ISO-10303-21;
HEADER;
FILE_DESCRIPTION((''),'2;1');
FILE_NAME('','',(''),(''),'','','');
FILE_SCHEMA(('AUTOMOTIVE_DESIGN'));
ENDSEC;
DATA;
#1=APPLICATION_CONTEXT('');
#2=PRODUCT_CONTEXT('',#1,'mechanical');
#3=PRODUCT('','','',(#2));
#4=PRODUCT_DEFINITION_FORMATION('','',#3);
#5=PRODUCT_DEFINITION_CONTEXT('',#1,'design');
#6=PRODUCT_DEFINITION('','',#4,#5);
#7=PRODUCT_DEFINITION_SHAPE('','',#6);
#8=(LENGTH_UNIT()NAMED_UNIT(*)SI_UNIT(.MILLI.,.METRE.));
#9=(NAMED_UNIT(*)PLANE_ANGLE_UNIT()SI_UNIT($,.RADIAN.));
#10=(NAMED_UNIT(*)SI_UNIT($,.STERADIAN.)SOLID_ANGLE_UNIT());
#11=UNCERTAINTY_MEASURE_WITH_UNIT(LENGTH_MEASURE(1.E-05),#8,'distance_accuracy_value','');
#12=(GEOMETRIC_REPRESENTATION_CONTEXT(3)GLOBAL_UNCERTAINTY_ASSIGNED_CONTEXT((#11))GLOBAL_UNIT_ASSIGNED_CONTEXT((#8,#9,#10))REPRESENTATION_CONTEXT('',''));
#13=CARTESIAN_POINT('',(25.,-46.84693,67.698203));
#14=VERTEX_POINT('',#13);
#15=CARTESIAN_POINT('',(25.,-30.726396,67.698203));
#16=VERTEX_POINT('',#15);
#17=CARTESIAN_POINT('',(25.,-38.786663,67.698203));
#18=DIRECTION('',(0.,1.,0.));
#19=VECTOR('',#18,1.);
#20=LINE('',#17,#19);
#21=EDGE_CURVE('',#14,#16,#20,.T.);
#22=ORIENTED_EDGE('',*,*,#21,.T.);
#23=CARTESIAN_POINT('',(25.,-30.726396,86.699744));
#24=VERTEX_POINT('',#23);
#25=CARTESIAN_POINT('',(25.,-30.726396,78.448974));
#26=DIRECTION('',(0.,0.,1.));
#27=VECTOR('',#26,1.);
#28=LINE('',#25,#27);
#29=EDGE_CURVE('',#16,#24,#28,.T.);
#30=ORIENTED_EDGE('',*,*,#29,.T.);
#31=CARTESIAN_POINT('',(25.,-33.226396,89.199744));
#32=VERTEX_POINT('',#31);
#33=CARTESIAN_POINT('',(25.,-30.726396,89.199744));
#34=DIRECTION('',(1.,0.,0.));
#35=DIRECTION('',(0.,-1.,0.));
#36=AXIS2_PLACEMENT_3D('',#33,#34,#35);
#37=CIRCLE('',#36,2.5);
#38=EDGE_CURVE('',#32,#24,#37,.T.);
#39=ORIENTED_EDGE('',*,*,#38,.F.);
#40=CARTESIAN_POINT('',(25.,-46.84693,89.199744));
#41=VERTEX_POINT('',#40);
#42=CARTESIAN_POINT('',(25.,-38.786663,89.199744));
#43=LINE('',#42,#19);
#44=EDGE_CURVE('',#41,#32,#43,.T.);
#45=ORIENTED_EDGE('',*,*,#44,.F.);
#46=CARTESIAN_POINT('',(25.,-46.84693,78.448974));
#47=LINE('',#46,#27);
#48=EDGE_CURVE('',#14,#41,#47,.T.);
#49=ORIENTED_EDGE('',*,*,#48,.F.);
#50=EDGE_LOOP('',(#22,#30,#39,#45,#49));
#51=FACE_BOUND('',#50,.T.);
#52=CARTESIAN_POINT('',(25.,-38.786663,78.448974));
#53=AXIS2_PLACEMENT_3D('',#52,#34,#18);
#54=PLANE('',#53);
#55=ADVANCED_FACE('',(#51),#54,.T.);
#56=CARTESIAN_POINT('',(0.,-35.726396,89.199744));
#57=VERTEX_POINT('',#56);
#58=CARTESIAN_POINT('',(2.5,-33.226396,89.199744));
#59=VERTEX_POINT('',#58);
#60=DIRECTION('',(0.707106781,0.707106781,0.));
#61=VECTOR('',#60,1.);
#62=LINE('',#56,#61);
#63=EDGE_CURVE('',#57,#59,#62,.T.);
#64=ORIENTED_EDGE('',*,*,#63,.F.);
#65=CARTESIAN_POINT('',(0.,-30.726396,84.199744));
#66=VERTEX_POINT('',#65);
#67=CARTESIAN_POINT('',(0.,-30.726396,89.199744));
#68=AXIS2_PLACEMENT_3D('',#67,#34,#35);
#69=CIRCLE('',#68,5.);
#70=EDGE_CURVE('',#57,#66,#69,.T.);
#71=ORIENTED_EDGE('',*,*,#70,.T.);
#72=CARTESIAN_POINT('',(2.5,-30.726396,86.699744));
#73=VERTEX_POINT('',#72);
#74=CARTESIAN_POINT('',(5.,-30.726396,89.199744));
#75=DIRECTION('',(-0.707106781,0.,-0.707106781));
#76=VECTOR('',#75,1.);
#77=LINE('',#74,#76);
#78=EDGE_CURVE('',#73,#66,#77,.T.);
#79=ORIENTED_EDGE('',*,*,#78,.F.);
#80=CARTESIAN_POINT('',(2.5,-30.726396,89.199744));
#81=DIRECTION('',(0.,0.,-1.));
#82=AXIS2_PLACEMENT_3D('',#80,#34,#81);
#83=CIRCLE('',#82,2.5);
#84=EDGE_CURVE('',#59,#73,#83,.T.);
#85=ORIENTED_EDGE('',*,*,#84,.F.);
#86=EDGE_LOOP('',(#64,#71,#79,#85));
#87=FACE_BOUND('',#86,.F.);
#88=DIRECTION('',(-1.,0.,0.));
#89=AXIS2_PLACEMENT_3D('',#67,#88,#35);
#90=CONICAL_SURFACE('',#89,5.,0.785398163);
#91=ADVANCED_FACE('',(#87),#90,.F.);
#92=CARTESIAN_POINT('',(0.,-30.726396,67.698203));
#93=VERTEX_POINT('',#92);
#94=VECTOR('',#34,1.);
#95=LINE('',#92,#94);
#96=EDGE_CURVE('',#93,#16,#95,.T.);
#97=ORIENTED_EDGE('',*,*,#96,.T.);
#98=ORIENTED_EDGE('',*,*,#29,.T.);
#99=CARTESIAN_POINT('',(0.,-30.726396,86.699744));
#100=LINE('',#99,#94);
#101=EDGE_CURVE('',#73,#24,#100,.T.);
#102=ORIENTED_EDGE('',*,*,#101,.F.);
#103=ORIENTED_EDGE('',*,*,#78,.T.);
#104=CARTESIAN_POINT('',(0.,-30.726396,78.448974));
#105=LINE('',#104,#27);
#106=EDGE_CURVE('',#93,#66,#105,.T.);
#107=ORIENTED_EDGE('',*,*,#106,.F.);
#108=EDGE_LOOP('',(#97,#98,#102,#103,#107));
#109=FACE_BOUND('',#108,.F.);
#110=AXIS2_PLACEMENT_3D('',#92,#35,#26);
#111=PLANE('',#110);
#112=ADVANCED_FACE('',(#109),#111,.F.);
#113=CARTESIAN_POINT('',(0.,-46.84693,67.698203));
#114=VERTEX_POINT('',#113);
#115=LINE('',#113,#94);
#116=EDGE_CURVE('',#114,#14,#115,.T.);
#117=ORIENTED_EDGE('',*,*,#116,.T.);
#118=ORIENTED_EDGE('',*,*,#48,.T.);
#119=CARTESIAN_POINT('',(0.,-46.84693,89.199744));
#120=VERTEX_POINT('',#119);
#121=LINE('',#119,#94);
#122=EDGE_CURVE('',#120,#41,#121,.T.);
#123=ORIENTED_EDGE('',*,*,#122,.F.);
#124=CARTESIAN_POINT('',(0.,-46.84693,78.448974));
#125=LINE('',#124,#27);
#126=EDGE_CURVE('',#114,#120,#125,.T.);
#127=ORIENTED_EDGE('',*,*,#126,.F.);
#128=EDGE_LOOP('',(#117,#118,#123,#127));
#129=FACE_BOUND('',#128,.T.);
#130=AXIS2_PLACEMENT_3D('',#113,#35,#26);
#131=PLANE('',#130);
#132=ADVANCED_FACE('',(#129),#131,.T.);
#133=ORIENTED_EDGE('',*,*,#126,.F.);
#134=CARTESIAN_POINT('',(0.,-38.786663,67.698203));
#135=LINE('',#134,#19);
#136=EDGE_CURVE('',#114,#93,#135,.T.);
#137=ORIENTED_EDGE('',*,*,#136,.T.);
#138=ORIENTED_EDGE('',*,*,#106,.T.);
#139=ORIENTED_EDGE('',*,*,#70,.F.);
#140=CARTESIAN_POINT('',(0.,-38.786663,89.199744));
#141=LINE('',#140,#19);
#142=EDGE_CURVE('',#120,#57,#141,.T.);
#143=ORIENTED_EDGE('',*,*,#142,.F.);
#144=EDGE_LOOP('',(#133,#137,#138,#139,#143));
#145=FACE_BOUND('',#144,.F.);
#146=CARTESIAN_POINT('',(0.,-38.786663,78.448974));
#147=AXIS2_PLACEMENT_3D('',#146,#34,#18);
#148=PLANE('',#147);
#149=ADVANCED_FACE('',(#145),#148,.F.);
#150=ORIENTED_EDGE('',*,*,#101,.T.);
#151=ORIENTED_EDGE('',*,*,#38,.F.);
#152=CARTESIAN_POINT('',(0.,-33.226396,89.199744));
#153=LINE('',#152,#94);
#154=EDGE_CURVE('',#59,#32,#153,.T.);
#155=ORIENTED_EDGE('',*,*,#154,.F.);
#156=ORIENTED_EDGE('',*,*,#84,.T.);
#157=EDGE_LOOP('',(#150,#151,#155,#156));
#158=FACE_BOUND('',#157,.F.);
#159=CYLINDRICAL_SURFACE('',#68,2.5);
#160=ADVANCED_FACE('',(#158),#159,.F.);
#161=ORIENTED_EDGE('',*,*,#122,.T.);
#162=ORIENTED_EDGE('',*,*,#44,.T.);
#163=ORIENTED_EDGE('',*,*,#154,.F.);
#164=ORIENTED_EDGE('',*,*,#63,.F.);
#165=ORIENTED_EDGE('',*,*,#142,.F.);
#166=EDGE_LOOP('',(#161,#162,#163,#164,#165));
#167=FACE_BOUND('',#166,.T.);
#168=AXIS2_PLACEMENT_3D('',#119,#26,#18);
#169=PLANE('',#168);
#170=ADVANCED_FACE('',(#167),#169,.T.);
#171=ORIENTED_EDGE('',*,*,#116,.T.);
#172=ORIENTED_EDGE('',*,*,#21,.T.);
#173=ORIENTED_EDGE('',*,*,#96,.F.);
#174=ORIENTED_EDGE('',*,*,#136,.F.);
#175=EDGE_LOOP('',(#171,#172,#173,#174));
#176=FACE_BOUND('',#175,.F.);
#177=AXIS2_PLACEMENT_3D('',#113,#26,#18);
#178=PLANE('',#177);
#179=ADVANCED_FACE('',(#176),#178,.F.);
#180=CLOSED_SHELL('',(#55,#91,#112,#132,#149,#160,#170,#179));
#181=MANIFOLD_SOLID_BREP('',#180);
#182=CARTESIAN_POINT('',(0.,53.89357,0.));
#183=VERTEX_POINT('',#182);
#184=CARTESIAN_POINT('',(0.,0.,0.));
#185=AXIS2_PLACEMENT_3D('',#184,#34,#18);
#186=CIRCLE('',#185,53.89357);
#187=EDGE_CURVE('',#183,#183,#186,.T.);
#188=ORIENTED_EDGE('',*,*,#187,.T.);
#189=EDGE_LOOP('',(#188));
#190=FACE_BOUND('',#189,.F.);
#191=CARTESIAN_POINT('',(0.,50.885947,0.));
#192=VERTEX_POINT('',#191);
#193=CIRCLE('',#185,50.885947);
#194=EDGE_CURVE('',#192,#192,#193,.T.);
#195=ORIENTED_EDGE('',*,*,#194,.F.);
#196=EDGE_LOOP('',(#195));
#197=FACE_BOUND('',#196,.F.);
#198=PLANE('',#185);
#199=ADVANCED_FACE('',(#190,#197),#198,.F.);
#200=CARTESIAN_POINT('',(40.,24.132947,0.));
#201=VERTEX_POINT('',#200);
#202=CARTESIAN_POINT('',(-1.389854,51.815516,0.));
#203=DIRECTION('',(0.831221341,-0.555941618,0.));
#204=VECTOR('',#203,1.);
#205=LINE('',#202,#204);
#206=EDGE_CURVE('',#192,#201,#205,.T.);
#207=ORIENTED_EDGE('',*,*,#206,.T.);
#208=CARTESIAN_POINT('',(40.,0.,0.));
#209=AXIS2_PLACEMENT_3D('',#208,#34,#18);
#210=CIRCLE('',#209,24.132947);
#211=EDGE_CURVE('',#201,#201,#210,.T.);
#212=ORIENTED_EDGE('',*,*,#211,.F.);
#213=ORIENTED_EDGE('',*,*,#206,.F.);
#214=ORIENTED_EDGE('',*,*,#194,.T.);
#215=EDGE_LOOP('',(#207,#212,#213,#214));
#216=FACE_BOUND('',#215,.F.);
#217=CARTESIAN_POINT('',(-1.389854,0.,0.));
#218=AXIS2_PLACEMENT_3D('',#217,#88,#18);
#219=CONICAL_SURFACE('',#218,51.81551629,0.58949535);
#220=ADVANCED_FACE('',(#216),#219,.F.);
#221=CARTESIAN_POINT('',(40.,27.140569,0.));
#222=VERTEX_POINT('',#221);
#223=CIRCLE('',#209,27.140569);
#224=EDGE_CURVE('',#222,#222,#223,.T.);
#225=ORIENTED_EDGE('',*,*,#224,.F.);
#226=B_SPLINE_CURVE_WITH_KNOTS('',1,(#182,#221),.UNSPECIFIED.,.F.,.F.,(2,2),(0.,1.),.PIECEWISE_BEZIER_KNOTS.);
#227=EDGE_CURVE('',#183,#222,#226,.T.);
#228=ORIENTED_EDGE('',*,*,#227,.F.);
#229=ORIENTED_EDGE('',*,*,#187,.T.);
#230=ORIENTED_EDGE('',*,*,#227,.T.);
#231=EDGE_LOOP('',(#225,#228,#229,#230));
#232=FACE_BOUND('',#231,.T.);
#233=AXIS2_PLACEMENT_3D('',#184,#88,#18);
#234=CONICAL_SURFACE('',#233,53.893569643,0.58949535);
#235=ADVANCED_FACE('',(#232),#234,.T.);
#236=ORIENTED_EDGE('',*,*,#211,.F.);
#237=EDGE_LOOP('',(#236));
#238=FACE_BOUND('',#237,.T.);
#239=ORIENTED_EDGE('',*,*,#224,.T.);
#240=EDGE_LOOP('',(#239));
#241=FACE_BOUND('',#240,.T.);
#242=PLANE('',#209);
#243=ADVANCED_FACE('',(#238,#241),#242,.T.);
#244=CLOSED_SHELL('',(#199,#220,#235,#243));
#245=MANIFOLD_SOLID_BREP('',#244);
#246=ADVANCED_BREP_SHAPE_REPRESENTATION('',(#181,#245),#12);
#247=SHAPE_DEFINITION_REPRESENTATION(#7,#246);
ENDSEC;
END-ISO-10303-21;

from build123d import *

# Parameters (mm, degrees)
F0_R           = 53.8935696429
F2_R           = 27.1405694362
F4_T           = -2.5
F5_W           = 16.1205343902
F5_H           = 21.5015411377
F6_DEPTH       = 25
F7_D           = 5
F7_CSINK_D     = 10
F7_CSINK_ANGLE = 90


with BuildPart() as f3:
    # F0 (on Right) → F3 section 0
    with BuildSketch(Plane.YZ):
        Circle(F0_R)
    # F2 (on offset) → F3 section 1
    with BuildSketch(Plane.YZ.offset(40)):
        Circle(F2_R)
    loft()

    # F4
    f4_openings = [f3.faces().sort_by_distance(p)[0] for p in [
        (40, 0, 0),
        (0, 0, 0),
    ]]
    offset(amount=F4_T, openings=f4_openings, kind=Kind.INTERSECTION)


with BuildPart() as f6:
    # F5 (on Right) → F6 (new body)
    with BuildSketch(Plane.YZ):
        with Locations((-38.7866627425, 78.4489735961)):
            Rectangle(F5_W, F5_H)
    extrude(amount=F6_DEPTH)

    # F7 (through all)
    with Locations(Plane(origin=(0, 0, 0), x_dir=(0, 1, 0), z_dir=(-1, 0, 0))):
        with Locations((-30.7263955474, -89.1997441649)):
            CounterSinkHole(F7_D / 2, F7_CSINK_D / 2, counter_sink_angle=F7_CSINK_ANGLE)


solid = Compound([f3.part, f6.part])
